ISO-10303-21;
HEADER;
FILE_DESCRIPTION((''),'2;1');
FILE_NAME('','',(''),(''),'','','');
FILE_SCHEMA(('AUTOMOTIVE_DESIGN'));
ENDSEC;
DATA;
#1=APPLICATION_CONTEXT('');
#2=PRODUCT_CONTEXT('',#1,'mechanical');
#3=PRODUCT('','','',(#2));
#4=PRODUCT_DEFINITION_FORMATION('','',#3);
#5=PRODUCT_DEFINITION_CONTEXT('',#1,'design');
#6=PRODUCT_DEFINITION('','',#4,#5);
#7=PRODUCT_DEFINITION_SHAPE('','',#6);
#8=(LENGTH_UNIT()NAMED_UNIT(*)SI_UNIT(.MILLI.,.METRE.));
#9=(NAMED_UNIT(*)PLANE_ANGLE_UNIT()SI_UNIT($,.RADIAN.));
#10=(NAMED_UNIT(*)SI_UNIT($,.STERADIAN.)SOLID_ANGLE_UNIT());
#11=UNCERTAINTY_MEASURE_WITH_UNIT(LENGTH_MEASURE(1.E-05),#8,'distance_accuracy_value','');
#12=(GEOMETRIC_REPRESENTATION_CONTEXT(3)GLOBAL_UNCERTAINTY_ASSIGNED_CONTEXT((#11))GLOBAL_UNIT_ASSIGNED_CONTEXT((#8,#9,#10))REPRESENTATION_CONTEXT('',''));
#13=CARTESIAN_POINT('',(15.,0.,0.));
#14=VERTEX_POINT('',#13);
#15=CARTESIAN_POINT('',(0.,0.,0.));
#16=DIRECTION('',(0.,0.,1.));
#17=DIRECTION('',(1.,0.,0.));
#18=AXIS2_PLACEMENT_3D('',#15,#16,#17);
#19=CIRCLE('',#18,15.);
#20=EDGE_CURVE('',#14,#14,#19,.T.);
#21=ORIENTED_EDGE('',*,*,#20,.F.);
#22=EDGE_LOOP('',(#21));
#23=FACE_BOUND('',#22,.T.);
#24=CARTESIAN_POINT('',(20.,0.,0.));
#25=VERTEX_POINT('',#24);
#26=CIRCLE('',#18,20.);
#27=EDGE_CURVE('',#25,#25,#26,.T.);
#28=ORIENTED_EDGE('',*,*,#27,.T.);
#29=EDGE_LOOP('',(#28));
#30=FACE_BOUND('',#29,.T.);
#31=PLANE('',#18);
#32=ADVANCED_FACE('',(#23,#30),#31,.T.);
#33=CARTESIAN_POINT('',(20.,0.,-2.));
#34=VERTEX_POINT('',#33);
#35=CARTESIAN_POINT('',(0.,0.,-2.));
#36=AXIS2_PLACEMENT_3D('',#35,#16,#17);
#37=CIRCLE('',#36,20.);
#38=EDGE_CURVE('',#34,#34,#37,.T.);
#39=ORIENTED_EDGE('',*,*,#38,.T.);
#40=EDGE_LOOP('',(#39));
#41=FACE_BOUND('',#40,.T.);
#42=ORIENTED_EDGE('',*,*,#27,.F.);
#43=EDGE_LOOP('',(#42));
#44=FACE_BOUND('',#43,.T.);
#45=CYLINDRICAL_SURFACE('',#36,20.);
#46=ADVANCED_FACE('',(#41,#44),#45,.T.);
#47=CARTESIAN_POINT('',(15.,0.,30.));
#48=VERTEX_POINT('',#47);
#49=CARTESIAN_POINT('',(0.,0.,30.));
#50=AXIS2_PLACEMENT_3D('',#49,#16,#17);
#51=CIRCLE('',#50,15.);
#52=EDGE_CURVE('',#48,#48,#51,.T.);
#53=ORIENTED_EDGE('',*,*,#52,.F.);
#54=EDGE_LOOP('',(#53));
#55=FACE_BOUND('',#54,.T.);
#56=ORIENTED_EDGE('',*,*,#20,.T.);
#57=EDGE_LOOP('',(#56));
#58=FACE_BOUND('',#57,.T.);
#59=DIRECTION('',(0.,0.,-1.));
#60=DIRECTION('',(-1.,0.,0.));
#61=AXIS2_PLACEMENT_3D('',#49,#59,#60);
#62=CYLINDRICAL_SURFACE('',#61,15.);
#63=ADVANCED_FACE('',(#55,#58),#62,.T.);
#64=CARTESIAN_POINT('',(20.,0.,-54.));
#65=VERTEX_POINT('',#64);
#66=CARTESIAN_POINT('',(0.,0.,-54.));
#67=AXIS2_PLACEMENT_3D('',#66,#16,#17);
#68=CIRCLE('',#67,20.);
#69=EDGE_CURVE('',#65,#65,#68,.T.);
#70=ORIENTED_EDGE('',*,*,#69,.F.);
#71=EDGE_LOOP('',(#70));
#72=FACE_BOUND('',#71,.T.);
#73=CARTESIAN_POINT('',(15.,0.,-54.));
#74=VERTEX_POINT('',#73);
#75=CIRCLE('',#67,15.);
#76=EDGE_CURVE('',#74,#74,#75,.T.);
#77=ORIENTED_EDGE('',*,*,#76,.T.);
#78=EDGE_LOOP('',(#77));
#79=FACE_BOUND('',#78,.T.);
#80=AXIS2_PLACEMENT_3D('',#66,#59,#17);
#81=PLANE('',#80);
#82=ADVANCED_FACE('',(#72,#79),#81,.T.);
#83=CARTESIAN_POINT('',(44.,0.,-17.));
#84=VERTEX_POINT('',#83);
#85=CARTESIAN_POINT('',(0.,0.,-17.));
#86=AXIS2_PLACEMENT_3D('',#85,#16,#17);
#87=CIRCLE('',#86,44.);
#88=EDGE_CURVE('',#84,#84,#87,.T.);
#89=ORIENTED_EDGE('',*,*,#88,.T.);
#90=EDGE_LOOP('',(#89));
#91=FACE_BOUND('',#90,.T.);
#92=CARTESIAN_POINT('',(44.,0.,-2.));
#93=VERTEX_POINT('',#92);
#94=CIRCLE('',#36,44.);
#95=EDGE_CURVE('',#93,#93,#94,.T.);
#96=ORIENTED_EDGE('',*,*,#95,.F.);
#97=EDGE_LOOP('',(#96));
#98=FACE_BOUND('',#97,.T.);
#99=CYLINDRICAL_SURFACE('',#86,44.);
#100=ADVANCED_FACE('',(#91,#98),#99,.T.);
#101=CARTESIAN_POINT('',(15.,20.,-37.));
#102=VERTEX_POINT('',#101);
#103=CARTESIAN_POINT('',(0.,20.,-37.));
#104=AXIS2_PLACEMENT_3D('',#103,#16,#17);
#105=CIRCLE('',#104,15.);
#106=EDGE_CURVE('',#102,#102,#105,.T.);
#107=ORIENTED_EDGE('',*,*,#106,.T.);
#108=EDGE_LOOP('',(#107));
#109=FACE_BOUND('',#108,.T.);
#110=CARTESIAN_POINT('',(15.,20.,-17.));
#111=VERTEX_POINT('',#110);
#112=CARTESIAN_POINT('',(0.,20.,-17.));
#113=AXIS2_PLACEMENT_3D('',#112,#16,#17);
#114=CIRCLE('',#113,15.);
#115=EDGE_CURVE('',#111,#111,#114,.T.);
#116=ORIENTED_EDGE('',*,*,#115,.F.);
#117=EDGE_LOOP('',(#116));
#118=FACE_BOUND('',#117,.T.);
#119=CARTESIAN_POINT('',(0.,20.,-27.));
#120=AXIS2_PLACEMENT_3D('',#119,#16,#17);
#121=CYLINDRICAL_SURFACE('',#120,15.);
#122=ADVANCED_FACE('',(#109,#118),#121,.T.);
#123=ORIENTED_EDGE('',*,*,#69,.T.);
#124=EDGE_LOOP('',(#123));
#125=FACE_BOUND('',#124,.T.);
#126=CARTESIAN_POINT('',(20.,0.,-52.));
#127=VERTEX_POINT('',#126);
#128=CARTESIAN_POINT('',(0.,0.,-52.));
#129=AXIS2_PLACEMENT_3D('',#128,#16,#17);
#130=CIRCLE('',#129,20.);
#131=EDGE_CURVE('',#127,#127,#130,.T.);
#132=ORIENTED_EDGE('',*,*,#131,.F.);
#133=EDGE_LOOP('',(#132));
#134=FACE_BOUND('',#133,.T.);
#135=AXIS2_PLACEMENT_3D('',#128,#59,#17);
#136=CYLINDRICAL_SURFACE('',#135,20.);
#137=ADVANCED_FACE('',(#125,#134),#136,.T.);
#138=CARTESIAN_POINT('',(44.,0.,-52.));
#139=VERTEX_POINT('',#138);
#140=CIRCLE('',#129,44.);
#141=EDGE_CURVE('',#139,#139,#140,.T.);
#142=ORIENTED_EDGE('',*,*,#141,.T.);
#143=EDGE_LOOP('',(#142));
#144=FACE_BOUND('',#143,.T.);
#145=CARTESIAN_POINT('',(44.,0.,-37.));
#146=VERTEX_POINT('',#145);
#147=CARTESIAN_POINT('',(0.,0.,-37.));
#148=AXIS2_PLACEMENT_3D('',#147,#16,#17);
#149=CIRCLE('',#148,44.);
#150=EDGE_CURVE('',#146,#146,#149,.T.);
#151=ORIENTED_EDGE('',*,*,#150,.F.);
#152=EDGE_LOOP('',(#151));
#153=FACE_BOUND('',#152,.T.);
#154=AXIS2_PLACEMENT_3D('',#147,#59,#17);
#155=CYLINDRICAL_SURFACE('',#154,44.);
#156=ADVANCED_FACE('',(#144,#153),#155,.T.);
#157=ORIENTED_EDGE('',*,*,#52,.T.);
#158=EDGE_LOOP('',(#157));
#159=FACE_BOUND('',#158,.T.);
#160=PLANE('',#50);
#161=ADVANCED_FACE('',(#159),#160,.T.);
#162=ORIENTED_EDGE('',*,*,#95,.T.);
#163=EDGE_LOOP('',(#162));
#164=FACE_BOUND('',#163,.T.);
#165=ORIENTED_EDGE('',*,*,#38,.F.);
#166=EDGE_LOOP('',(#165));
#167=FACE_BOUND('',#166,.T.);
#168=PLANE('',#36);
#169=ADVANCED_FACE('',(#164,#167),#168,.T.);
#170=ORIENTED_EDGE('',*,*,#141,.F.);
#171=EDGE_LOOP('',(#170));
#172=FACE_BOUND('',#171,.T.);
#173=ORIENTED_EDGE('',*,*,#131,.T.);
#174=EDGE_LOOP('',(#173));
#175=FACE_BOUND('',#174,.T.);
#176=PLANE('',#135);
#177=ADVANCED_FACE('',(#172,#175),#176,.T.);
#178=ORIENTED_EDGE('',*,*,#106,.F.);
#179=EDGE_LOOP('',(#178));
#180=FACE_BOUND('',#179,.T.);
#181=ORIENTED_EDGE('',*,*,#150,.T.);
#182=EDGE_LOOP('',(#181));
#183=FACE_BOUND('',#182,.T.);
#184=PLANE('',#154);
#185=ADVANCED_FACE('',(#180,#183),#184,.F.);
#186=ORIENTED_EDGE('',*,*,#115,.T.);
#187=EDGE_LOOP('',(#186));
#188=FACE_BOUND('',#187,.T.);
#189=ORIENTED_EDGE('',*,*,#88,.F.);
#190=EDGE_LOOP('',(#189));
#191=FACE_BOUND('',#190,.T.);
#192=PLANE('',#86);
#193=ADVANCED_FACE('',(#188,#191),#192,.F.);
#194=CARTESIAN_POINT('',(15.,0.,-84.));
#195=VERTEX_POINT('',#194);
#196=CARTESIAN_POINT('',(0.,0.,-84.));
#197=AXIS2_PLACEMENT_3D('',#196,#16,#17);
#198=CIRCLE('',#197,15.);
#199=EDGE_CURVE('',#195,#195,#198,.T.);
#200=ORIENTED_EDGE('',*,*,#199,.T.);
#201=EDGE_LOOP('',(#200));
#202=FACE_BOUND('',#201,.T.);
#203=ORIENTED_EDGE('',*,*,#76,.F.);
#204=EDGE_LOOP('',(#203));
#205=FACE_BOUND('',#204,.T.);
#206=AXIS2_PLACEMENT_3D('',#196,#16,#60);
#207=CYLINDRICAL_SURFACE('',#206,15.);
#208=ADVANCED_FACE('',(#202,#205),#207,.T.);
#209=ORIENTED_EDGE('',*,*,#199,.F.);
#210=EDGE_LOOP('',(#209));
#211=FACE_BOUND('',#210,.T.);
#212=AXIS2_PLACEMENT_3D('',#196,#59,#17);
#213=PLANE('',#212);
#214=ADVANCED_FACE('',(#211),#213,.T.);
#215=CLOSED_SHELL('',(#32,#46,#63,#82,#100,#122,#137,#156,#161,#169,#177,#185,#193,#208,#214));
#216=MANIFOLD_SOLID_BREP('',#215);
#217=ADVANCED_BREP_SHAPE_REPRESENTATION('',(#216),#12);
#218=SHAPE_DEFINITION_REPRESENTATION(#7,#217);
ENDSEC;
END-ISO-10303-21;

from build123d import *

# Parameters (mm, degrees)
SZKIC1_R                    = 15
DODANIE_WYCI_GNI_CIE1_DEPTH = 30
SZKIC2_R                    = 20
DODANIE_WYCI_GNI_CIE2_DEPTH = 2
DODANIE_WYCI_GNI_CIE3_START = -2
SZKIC3_R                    = 44
DODANIE_WYCI_GNI_CIE3_DEPTH = 15
DODANIE_WYCI_GNI_CIE4_START = -17
SZKIC4_R                    = 15
DODANIE_WYCI_GNI_CIE4_DEPTH = 10


with BuildPart() as part:
    # Szkic1 → Dodanie-wyciągnięcie1 (new body)
    with BuildSketch(Plane.XY):
        Circle(SZKIC1_R)
    extrude(amount=DODANIE_WYCI_GNI_CIE1_DEPTH)

    # Szkic2 → Dodanie-wyciągnięcie2 (add)
    with BuildSketch(Plane.XY):
        Circle(SZKIC2_R)
    extrude(amount=-DODANIE_WYCI_GNI_CIE2_DEPTH)

    # Szkic3 → Dodanie-wyciągnięcie3 (add)
    with BuildSketch(Plane.XY.offset(DODANIE_WYCI_GNI_CIE3_START)):
        Circle(SZKIC3_R)
    extrude(amount=-DODANIE_WYCI_GNI_CIE3_DEPTH)

    # Szkic4 → Dodanie-wyciągnięcie4 (add)
    with BuildSketch(Plane.XY.offset(DODANIE_WYCI_GNI_CIE4_START)):
        with Locations((0, 20)):
            Circle(SZKIC4_R)
    extrude(amount=-DODANIE_WYCI_GNI_CIE4_DEPTH)

    # Lustro2: part across plane


with BuildPart() as part_1:
    add(part.part)
    add(part.part.mirror(Plane(origin=(0, 20, -27), x_dir=(1, 0, 0), z_dir=(0, 0, 1))))


solid = part_1.part
